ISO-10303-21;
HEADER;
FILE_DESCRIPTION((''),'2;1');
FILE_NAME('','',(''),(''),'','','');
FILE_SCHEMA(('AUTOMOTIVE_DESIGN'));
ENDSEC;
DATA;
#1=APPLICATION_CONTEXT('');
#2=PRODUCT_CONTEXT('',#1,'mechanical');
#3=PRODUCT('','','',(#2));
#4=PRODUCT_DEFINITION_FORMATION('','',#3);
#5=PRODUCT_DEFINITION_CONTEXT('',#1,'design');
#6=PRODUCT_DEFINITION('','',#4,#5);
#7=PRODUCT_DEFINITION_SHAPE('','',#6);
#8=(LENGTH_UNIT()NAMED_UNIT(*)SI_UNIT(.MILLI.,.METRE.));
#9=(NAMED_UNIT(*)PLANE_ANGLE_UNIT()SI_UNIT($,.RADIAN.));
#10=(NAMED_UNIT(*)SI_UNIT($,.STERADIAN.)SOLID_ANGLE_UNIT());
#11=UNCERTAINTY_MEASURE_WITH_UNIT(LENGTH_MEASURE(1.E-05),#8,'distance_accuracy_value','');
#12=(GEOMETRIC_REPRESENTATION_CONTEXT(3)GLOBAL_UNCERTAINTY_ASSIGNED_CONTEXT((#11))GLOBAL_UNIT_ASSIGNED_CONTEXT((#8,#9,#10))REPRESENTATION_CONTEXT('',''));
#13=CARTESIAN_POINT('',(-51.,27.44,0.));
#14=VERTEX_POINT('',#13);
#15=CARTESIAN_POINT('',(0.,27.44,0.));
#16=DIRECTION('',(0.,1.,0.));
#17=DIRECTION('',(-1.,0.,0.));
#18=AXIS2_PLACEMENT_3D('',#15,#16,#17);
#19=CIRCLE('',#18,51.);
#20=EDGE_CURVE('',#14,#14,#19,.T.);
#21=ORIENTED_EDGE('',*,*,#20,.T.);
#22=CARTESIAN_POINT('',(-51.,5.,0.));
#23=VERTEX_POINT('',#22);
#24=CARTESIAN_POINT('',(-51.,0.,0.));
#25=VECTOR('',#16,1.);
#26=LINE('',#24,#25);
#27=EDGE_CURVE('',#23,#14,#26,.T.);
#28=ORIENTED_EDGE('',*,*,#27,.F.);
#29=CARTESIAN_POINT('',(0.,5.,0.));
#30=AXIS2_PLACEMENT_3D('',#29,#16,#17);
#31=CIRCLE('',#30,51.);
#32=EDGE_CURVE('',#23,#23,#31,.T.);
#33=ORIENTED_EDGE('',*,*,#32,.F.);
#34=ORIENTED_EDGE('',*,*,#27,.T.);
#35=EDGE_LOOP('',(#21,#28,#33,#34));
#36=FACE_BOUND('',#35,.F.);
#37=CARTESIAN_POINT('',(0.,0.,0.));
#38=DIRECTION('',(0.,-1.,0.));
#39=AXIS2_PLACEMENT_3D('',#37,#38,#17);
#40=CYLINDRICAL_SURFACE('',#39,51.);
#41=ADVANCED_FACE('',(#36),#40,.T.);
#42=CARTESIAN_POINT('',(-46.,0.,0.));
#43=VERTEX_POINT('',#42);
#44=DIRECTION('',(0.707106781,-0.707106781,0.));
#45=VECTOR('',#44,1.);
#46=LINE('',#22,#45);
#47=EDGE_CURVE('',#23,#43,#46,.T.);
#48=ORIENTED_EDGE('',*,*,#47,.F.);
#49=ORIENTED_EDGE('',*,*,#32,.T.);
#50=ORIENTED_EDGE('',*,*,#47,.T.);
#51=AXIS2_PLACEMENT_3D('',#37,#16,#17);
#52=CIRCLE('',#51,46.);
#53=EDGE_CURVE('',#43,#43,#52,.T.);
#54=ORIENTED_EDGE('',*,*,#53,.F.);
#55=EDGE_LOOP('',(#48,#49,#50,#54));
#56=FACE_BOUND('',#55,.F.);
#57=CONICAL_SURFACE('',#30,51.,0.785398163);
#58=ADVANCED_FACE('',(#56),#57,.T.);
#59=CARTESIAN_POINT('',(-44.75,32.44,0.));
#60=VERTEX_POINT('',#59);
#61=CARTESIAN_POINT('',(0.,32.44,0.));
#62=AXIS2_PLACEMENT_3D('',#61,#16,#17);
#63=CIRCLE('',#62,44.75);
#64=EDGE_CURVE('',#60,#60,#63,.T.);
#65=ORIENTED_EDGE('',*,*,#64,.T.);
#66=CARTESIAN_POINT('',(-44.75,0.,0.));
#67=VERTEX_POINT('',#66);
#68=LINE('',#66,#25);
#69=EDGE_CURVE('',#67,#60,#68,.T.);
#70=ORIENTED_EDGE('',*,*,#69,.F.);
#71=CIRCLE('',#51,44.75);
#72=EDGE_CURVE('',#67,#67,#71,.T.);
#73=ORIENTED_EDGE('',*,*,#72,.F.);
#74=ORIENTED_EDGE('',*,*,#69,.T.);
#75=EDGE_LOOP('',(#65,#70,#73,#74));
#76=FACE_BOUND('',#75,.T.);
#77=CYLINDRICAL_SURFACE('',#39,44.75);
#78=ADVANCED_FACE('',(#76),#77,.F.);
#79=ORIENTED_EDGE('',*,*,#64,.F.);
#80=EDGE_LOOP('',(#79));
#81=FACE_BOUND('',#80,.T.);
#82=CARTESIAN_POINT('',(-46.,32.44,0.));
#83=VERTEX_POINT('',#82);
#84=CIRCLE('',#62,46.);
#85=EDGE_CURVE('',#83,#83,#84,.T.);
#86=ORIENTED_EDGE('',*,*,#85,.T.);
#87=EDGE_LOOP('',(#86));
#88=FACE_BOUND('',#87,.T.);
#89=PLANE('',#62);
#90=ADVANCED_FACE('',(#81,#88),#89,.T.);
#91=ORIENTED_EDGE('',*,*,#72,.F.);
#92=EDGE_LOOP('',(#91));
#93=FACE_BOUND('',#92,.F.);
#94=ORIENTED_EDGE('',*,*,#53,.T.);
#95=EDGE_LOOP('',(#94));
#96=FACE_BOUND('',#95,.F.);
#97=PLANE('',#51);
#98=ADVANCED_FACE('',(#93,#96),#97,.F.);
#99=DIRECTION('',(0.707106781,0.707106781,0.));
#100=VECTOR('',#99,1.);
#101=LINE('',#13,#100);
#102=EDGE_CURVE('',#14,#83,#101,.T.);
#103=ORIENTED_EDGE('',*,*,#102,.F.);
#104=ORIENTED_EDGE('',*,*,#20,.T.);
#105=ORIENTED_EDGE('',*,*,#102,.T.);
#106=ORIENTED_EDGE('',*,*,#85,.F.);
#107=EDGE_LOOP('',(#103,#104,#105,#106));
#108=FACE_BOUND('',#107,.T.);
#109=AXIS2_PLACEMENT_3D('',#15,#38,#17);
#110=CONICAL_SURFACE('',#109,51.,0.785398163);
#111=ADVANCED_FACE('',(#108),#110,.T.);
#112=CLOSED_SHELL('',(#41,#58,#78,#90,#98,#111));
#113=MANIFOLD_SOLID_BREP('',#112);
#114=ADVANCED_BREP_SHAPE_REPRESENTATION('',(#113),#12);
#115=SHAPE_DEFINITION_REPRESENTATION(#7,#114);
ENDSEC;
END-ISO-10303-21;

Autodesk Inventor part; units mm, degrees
ref_plane "YZ Plane" through (0, 0, 0) normal (1, 0, 0) x (0, 1, 0)
ref_plane "XZ Plane" through (0, 0, 0) normal (0, 1, 0) x (-1, 0, 0)
ref_plane "XY Plane" through (0, 0, 0) normal (0, 0, 1) x (1, 0, 0)
sketch "Sketch1" plane through (0, 0, 0) normal (0, 1, 0) x (-1, 0, 0)
  circle A0 centre (0, 0) radius 51
  circle A1 centre (0, 0) radius 44.75
  dimension "d0" = 102
  dimension "d1" = 89.5
extrude "Extrusion1" add sketch "Sketch1" along normal blind 32.44
chamfer "Chamfer1" distance 5 angle 45 2 edges at (51, 32.44, 0) (51, 0, 0)
properties part number "00_Compression_Coupling_3inch_KingBrothers_CPC-3000_rubberring"
